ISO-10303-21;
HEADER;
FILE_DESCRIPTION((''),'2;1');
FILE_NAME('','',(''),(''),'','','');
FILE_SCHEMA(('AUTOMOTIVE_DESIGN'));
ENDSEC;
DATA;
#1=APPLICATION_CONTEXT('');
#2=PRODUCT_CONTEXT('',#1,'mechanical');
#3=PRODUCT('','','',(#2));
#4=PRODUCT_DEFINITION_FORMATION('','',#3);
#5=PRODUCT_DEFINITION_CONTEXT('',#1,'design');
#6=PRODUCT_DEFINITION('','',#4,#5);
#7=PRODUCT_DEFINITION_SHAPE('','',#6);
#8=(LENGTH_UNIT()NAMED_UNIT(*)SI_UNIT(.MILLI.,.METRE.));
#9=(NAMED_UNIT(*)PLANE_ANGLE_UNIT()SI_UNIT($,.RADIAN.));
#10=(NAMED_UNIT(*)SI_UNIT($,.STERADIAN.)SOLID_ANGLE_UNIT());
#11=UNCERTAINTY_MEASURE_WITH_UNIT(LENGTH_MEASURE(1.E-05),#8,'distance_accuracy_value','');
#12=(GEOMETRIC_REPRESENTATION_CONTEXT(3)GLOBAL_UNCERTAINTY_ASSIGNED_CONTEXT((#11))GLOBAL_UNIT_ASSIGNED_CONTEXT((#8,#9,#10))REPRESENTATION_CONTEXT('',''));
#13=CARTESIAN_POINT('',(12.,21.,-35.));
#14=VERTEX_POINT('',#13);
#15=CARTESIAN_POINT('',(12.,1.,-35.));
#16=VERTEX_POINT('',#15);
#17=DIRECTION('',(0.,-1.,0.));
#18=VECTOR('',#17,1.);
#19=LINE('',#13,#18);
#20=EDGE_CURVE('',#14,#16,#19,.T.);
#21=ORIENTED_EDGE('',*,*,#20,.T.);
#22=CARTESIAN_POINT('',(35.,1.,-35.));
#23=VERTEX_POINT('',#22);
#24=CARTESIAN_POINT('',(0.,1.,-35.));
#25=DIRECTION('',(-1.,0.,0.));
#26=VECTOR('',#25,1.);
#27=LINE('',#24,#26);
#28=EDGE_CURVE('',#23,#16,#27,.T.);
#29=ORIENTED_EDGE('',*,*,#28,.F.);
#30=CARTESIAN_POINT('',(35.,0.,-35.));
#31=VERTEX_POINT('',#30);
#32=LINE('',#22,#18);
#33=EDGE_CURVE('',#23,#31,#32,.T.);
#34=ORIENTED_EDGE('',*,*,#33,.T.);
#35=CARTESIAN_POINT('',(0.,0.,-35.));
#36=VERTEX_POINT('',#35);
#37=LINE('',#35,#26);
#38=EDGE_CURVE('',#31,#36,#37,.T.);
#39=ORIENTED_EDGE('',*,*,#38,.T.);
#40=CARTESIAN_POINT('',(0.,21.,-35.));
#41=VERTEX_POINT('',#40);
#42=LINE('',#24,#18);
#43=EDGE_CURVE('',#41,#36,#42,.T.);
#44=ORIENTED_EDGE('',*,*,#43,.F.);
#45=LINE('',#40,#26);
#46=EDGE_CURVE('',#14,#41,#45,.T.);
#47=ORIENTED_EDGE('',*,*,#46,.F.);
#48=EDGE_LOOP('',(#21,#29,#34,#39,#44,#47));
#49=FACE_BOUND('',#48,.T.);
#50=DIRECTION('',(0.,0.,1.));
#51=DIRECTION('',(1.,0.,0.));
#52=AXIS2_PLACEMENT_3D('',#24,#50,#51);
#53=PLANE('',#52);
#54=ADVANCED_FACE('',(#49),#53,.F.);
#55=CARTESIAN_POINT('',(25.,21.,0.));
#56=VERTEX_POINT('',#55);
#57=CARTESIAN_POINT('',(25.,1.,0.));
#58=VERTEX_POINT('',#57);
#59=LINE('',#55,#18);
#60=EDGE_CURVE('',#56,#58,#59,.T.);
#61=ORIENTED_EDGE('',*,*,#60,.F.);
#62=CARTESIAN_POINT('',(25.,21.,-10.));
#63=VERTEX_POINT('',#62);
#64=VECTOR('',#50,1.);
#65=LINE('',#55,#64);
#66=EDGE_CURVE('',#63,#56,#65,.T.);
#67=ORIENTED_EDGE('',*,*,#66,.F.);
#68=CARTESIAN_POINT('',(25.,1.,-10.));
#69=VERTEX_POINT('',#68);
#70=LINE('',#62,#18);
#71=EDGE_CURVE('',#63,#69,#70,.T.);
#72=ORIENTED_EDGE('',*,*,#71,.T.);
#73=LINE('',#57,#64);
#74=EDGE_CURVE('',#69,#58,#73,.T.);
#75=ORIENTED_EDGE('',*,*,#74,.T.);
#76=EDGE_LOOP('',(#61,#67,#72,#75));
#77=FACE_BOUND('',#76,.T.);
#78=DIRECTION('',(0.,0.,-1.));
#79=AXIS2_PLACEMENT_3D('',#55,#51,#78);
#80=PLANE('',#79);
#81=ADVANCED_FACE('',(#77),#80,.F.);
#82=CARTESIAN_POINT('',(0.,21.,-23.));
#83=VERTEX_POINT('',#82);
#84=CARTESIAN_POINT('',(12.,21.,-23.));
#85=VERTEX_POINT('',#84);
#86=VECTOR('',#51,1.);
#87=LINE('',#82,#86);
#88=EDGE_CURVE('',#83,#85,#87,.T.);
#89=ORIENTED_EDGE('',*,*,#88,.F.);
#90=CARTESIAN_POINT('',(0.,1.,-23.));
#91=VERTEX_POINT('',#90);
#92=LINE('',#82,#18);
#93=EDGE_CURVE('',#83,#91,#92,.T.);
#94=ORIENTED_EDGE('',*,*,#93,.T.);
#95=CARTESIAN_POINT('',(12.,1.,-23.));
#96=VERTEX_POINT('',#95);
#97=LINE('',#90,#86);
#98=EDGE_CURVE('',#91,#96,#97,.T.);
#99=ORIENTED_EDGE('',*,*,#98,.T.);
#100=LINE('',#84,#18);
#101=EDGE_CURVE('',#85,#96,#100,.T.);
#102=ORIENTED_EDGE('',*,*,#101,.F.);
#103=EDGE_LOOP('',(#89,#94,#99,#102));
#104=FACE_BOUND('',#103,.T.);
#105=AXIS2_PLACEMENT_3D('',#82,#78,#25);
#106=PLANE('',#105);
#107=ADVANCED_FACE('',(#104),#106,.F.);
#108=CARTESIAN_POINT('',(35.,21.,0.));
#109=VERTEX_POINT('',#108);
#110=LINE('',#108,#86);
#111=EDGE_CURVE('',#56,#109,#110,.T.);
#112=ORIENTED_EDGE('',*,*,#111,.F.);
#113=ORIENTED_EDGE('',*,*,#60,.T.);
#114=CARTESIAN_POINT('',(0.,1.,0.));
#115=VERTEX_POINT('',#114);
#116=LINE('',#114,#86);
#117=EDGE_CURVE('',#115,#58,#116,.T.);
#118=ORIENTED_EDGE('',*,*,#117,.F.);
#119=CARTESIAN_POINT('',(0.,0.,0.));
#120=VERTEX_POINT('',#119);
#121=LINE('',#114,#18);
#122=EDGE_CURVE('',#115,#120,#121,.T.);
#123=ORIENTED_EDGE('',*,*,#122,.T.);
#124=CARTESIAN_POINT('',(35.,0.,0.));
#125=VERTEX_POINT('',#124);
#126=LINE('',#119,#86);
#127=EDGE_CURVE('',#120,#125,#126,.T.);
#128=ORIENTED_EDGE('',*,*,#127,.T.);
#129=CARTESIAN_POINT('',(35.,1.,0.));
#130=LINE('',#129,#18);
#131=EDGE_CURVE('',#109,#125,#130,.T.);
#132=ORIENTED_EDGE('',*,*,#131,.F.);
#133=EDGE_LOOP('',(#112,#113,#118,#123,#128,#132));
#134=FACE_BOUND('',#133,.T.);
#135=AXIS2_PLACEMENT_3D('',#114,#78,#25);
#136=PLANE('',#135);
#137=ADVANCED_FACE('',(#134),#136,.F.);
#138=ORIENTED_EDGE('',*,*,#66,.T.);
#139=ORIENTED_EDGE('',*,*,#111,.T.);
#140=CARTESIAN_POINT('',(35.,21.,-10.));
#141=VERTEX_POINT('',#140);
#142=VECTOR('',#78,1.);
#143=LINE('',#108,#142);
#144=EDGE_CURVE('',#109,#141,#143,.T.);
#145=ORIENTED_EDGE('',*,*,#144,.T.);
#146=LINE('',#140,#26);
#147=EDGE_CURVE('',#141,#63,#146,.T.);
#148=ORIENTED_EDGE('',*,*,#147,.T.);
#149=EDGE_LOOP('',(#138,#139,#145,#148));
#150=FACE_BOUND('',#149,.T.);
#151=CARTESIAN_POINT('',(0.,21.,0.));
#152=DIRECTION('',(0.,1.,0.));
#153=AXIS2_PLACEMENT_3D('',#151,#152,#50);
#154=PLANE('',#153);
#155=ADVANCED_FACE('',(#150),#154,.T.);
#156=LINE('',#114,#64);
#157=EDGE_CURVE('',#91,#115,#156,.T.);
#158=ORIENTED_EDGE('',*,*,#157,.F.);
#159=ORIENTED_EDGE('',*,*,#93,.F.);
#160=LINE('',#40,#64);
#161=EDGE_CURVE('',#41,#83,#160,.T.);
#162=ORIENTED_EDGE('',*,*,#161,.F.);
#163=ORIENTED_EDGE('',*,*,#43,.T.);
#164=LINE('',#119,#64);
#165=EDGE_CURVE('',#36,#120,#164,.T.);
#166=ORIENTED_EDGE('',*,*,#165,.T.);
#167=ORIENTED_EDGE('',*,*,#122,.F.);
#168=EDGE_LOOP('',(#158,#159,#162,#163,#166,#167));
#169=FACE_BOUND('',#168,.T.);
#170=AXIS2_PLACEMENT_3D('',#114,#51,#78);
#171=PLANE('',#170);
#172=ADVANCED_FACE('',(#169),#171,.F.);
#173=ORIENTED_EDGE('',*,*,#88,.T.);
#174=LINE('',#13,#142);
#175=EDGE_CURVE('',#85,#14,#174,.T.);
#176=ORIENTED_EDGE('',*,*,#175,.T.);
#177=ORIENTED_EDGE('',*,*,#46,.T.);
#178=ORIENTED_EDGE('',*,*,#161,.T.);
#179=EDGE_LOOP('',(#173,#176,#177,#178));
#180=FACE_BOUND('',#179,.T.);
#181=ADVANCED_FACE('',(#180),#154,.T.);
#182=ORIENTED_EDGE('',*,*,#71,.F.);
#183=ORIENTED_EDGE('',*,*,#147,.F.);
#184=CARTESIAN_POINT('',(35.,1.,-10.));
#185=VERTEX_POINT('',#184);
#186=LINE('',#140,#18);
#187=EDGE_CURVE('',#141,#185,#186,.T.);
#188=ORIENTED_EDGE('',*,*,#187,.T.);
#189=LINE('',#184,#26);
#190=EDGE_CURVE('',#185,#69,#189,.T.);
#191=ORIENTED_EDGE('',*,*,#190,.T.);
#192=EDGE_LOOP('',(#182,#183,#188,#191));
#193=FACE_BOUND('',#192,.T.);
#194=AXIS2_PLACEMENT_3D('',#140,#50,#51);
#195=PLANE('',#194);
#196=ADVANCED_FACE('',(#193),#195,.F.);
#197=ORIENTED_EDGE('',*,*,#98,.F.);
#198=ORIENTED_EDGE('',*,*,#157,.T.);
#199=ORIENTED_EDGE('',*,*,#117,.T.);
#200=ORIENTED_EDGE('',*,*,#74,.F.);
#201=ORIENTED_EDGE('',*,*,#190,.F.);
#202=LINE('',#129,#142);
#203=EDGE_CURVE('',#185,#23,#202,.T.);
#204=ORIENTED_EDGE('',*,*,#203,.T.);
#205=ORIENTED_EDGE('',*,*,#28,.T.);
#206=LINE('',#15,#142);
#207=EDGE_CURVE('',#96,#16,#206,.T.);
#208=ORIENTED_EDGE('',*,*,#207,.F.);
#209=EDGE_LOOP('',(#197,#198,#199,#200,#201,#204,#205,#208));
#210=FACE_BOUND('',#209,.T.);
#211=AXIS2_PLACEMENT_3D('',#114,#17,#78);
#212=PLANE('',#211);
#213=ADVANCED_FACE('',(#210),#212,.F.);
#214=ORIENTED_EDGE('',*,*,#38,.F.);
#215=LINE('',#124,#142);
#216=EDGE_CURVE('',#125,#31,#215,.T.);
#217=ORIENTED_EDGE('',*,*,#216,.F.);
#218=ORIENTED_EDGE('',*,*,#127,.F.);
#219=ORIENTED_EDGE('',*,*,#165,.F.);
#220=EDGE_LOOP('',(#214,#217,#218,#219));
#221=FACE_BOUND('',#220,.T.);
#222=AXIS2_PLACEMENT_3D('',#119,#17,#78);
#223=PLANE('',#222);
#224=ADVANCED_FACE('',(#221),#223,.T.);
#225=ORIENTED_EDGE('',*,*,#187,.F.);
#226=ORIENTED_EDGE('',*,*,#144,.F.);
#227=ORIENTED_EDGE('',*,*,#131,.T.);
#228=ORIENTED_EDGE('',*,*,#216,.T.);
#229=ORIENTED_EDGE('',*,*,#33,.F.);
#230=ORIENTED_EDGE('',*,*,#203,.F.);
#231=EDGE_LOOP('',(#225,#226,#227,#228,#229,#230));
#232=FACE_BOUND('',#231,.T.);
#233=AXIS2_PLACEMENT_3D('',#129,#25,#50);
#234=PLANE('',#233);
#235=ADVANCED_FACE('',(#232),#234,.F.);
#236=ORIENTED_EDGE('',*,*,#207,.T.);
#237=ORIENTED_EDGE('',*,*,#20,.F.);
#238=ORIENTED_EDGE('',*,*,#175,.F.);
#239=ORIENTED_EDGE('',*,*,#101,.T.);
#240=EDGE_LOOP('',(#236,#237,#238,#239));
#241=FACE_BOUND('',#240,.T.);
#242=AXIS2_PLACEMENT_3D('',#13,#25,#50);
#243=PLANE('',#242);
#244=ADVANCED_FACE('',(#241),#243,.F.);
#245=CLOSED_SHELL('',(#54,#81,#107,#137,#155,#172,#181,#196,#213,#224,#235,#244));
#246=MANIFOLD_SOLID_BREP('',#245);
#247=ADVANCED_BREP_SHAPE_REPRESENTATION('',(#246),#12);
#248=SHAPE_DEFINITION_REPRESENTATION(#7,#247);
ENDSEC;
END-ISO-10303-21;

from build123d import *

# Parameters (mm, degrees)
SKETCH1_W           = 35
SKETCH1_H           = 35
BOSS_EXTRUDE1_DEPTH = 1
SKETCH2_W           = 12
SKETCH2_H           = 12
SKETCH2_W_2         = 10
SKETCH2_H_2         = 10
BOSS_EXTRUDE2_DEPTH = 20


with BuildPart() as part:
    # Sketch1 → Boss-Extrude1 (new body)
    with BuildSketch(Plane(origin=(0, 0, 0), x_dir=(1, 0, 0), z_dir=(0, 1, 0))):
        with Locations((17.5, 17.5)):
            Rectangle(SKETCH1_W, SKETCH1_H)
    extrude(amount=BOSS_EXTRUDE1_DEPTH)

    # Sketch2 → Boss-Extrude2 (add)
    with BuildSketch(Plane(origin=(0, 1, 0), x_dir=(1, 0, 0), z_dir=(0, 1, 0))):
        with Locations((6, 29)):
            Rectangle(SKETCH2_W, SKETCH2_H)
        with Locations((30, 5)):
            Rectangle(SKETCH2_W_2, SKETCH2_H_2)
    extrude(amount=BOSS_EXTRUDE2_DEPTH)


solid = part.part
